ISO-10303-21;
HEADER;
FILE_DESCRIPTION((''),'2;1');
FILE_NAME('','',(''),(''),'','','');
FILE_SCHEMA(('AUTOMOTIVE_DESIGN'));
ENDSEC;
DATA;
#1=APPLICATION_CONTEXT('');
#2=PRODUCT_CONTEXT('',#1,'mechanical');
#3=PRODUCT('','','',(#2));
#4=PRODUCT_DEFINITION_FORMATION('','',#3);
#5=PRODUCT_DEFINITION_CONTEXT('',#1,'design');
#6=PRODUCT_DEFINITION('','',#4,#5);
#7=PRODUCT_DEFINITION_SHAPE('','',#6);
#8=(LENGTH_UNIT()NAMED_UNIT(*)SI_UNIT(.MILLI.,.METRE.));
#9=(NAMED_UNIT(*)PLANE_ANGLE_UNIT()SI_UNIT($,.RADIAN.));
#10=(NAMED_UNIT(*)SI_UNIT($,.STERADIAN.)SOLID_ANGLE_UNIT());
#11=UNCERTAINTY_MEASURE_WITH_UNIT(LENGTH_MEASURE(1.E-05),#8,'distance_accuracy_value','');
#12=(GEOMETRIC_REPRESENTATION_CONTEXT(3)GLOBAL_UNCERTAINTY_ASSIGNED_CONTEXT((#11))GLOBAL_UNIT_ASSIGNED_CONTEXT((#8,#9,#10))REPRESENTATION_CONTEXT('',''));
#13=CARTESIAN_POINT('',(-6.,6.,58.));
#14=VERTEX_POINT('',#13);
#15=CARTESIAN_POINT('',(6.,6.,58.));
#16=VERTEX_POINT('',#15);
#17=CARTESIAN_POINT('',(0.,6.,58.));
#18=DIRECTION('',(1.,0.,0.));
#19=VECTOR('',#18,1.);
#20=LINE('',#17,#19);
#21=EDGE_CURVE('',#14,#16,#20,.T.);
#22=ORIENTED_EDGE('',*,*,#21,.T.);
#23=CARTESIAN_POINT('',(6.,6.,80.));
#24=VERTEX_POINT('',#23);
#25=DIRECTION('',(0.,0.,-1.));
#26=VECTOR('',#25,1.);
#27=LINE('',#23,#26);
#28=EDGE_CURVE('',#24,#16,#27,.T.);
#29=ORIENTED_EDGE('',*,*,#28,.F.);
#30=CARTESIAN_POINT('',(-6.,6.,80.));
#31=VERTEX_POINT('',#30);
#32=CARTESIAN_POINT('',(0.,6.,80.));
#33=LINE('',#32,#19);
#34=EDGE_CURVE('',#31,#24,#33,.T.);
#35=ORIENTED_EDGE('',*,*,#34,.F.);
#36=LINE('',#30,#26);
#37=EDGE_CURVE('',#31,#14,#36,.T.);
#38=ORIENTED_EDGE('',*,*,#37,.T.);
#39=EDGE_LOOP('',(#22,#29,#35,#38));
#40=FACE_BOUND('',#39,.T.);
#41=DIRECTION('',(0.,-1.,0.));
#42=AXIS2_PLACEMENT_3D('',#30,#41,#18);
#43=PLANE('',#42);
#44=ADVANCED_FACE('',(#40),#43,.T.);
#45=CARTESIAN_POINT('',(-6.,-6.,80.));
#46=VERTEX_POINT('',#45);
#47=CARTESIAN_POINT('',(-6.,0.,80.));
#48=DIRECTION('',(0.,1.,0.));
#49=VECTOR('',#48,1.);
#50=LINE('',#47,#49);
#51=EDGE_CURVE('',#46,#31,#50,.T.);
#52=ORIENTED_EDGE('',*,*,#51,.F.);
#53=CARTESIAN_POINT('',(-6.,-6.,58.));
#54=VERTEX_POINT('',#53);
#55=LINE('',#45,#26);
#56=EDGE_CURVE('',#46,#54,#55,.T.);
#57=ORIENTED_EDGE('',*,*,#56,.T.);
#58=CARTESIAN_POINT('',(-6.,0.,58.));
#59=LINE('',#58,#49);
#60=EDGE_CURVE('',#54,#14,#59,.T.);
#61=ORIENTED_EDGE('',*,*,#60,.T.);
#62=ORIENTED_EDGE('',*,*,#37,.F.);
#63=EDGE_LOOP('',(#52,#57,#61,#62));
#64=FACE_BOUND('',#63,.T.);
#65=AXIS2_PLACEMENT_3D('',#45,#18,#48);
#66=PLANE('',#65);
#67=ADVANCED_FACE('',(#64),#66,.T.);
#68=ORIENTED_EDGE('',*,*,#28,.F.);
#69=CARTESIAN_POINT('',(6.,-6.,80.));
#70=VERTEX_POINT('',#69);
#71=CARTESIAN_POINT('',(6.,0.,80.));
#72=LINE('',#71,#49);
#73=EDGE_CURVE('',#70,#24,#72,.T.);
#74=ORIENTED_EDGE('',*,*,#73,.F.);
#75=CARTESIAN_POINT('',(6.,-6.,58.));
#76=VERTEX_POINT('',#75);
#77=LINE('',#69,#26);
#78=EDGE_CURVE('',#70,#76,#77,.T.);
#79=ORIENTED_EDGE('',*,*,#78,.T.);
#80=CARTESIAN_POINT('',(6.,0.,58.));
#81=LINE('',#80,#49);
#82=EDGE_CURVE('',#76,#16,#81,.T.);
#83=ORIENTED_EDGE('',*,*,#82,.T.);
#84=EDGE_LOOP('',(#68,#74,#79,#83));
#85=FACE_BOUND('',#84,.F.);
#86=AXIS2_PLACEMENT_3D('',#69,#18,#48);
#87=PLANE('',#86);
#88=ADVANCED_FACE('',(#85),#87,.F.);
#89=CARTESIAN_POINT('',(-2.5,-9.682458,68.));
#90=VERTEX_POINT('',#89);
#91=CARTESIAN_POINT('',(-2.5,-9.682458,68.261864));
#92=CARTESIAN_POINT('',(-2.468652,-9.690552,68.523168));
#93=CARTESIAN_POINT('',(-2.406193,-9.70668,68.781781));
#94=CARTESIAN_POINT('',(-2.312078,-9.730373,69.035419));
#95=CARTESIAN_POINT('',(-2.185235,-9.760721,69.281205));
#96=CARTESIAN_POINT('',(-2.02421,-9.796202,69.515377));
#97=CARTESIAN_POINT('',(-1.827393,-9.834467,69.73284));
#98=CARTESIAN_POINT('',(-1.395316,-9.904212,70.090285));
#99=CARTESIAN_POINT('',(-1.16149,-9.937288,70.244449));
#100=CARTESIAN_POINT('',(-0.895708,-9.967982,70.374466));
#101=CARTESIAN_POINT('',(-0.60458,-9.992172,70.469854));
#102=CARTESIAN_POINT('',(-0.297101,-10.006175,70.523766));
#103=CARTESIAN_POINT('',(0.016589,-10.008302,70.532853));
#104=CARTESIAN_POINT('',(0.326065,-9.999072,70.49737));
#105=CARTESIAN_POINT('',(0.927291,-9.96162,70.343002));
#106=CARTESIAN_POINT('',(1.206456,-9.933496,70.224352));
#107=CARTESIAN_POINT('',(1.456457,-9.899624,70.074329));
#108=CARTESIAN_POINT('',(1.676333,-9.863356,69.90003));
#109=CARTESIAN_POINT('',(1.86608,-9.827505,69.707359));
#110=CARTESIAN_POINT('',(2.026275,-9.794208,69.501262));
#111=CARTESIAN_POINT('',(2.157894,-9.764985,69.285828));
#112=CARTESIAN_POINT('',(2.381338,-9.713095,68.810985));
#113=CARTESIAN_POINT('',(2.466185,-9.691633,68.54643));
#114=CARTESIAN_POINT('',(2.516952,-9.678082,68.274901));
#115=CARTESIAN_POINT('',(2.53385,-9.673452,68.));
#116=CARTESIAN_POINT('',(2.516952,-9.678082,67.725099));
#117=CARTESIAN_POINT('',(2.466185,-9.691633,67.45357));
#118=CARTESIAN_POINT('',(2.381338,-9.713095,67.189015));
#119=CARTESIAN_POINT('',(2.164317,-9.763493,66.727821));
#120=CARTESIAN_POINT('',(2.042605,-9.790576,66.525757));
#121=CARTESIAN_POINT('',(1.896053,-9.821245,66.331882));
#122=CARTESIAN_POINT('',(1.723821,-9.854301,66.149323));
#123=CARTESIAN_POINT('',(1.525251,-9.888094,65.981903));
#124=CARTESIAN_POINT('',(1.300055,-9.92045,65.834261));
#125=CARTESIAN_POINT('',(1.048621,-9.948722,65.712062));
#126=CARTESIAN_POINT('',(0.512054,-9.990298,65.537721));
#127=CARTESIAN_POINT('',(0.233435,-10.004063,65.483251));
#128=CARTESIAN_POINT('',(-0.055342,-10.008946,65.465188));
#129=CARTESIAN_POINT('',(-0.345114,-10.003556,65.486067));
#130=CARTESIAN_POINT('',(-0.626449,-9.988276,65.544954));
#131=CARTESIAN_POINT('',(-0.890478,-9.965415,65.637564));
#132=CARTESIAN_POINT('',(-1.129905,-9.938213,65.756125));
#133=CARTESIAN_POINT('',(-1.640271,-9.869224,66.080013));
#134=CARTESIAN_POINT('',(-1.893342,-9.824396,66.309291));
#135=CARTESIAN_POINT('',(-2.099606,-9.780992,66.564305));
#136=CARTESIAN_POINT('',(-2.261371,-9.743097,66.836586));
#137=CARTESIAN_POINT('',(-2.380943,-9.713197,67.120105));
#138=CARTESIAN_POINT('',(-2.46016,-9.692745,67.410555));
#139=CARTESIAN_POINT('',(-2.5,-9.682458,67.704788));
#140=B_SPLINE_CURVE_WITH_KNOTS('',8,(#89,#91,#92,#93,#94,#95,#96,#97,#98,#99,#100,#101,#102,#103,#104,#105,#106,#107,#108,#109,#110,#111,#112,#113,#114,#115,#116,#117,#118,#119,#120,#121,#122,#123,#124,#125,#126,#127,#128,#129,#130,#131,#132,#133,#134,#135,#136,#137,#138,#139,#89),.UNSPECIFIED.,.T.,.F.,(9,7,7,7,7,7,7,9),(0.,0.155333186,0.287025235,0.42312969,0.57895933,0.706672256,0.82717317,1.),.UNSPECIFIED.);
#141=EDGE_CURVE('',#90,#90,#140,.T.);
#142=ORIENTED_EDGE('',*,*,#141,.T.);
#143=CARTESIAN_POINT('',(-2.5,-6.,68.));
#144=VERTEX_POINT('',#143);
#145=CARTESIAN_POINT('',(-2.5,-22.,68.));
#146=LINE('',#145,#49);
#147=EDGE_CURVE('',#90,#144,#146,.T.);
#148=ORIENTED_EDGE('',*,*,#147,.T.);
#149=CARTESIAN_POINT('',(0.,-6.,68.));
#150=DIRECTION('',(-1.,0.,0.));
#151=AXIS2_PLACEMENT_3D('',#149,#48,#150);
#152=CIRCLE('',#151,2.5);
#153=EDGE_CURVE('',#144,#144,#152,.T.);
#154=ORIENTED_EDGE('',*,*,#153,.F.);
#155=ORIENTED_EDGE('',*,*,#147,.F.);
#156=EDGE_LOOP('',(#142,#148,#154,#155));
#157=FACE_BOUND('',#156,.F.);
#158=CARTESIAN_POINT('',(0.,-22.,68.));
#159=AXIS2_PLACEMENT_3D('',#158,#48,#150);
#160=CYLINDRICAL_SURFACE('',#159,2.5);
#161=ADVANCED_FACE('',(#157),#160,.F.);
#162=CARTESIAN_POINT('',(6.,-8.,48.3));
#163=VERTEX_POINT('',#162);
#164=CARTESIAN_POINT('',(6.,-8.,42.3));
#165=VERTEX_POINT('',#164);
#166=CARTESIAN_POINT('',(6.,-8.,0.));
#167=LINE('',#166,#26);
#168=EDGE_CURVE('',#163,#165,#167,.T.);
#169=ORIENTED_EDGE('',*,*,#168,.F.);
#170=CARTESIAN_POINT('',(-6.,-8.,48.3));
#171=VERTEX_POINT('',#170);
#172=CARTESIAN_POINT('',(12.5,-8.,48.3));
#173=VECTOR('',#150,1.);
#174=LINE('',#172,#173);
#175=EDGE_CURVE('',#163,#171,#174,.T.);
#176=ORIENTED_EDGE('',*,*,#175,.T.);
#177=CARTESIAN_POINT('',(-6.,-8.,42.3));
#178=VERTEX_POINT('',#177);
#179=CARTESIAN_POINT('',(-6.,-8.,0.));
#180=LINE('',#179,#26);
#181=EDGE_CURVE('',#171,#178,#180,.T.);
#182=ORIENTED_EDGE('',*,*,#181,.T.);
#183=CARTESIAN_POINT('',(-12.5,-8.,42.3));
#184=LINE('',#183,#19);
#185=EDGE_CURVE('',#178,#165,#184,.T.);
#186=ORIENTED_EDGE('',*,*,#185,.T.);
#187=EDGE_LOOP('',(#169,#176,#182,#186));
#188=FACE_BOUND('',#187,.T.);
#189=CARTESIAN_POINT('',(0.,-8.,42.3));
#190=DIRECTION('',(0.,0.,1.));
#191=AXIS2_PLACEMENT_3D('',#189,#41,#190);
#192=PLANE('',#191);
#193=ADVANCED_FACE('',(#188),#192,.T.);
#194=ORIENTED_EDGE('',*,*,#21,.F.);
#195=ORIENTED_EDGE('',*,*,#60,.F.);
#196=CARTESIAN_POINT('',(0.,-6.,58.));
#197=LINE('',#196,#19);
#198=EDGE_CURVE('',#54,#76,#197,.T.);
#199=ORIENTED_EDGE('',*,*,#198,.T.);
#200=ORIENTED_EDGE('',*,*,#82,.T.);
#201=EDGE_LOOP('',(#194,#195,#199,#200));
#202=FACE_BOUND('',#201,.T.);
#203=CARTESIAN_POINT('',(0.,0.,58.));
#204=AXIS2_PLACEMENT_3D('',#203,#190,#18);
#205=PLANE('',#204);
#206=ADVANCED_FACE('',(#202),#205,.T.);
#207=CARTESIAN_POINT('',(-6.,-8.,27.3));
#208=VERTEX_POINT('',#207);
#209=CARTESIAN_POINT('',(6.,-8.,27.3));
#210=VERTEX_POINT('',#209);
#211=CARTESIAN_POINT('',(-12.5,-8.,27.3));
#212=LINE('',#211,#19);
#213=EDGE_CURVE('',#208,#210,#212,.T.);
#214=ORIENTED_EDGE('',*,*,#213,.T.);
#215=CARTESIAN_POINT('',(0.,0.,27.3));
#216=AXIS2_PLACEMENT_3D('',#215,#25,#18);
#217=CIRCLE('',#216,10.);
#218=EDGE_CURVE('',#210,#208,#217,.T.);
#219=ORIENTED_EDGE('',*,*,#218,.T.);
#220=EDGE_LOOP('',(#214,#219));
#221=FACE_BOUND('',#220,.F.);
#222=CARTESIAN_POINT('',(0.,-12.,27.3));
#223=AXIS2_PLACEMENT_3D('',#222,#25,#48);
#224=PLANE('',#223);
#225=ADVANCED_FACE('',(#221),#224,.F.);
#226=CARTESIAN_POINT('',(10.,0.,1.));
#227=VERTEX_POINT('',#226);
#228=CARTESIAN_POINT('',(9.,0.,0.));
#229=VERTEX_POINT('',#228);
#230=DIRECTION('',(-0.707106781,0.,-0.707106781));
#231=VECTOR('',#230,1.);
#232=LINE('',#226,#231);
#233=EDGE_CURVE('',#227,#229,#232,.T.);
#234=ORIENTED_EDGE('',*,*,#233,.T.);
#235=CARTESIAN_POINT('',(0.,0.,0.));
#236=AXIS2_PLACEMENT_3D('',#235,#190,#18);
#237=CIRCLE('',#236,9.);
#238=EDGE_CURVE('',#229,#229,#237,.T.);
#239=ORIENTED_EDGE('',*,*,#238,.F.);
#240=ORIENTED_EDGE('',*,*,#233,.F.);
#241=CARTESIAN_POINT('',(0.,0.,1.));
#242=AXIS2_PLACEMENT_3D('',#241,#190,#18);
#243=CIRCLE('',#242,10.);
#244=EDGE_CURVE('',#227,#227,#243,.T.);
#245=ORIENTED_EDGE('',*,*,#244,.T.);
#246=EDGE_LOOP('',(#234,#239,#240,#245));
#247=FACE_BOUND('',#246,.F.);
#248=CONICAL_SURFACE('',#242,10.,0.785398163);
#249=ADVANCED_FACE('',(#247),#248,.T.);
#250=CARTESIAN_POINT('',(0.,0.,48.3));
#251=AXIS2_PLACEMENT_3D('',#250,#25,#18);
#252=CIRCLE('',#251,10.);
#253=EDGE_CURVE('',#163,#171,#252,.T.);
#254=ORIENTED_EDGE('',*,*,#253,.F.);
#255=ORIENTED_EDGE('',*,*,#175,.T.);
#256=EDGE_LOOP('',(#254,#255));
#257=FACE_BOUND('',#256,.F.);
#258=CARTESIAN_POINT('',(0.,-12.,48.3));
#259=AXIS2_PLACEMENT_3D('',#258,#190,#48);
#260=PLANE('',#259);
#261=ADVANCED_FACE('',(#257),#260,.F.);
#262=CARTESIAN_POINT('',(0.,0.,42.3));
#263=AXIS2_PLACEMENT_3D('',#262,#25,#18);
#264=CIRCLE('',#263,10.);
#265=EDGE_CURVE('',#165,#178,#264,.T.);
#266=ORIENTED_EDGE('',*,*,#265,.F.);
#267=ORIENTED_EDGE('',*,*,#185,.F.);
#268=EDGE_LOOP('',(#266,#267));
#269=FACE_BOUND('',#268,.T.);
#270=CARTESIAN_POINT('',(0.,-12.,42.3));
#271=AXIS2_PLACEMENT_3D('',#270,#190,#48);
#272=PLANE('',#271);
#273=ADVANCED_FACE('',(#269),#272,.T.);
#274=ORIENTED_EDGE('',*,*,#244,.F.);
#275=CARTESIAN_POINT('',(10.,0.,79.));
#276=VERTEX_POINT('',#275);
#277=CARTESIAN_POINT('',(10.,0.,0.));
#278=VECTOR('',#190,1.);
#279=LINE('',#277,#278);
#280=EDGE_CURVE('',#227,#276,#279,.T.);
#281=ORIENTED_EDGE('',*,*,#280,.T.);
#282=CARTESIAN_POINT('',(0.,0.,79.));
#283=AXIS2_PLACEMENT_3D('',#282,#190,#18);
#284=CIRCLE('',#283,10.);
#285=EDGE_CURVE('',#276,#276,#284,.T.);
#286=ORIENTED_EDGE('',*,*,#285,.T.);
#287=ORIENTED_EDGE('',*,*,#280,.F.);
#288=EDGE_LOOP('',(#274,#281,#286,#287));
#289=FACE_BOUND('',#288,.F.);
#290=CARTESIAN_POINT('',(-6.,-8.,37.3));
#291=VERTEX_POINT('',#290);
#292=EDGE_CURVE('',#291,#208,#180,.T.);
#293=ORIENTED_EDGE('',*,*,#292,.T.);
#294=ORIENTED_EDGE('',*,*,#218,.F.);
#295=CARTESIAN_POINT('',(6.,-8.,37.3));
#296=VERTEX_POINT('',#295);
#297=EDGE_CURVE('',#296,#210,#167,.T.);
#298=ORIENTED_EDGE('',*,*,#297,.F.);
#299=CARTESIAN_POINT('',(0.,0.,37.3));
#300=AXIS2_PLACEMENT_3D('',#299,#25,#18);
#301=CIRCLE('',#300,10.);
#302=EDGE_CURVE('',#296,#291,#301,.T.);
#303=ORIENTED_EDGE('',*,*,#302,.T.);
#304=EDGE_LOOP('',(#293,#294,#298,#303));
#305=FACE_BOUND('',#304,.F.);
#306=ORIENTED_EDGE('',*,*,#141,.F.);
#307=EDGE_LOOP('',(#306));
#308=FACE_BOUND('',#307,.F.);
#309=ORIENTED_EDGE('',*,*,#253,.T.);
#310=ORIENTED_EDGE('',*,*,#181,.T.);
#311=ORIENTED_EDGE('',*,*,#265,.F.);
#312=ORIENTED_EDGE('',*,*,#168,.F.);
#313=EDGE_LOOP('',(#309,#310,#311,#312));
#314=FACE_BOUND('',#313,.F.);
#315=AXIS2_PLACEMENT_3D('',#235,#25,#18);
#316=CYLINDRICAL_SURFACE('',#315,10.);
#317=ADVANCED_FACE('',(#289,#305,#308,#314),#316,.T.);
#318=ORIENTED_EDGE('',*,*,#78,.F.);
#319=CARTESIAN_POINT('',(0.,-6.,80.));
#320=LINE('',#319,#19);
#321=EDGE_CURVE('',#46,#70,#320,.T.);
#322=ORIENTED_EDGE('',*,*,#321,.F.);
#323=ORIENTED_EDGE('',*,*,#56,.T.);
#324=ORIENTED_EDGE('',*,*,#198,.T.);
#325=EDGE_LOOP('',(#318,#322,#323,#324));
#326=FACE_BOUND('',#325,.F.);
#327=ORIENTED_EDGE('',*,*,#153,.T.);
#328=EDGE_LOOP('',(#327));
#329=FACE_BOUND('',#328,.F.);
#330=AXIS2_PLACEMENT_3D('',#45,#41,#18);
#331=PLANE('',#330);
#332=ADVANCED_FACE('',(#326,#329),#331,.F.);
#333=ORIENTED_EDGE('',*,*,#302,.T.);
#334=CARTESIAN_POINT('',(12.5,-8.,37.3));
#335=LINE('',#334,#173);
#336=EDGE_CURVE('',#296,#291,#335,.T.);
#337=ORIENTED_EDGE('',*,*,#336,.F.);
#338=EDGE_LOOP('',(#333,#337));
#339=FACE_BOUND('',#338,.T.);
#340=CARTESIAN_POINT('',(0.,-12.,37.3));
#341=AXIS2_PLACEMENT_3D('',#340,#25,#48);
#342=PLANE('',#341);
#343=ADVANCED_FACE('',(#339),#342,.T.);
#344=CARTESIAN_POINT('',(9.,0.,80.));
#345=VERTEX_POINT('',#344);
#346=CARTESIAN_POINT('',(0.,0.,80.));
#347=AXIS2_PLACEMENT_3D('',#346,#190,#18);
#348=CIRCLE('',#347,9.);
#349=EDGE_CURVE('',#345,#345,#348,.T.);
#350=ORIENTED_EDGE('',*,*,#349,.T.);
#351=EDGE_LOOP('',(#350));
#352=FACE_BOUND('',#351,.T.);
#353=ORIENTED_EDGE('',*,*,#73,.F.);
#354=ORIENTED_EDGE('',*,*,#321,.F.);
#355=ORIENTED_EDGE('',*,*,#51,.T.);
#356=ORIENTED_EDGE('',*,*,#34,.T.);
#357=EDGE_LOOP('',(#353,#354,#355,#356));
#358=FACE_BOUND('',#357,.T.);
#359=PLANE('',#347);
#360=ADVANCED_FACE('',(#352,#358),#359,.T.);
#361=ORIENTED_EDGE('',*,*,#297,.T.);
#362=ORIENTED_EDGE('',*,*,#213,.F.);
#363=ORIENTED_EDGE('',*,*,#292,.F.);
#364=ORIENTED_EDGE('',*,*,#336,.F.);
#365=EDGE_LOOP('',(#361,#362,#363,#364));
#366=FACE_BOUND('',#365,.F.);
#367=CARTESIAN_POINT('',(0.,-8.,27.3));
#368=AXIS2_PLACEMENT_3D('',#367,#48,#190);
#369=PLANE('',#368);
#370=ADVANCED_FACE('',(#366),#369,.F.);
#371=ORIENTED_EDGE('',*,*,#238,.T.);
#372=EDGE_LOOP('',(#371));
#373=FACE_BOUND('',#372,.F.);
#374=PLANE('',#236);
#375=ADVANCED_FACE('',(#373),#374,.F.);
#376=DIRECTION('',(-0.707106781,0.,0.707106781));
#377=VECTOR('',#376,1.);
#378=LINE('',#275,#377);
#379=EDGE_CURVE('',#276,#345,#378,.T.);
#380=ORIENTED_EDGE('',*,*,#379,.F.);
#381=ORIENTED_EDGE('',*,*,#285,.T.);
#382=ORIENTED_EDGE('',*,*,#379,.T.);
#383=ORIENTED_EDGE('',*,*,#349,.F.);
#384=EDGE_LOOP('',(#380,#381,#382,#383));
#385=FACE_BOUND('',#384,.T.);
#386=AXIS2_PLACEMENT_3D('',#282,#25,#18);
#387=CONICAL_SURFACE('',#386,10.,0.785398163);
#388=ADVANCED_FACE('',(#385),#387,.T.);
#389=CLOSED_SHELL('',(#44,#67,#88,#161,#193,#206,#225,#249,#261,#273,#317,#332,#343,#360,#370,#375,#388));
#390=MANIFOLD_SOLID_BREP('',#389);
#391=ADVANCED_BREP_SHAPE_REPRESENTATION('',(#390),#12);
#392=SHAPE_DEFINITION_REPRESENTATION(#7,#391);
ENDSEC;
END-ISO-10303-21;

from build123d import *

# Parameters (mm, degrees)
F0_R     = 10
F1_DEPTH = 80
F2_W     = 12
F2_H     = 12
F3_DEPTH = 22
F6_D     = 5
F6_DEPTH = 12
F7_W     = 4
F7_H     = 6
F7_H_2   = 10
F8_DEPTH = 12.5
F9_SIZE  = 1


with BuildPart() as f1:
    # F0 (on Top) → F1 (new body)
    with BuildSketch(Plane.XY):
        Circle(F0_R)
    extrude(amount=F1_DEPTH)

    # F2 (on face) → F3 (cut)
    with BuildSketch(Plane.XY.offset(80)):
        Rectangle(F2_W, F2_H)
    extrude(amount=-F3_DEPTH, mode=Mode.SUBTRACT)

    # F6
    with Locations(Plane.XZ.offset(10)):
        with Locations((0, 68)):
            Hole(F6_D / 2, depth=F6_DEPTH)

    # F7 (on Right) → F8 (cut, symmetric)
    with BuildSketch(Plane.YZ):
        with Locations((-10, 45.3)):
            Rectangle(F7_W, F7_H)
        with Locations((-10, 32.3)):
            Rectangle(F7_W, F7_H_2)
    extrude(amount=F8_DEPTH, both=True, mode=Mode.SUBTRACT)

    # F9
    f9_edges = [f1.edges().sort_by_distance(p)[0] for p in [
        (-10, 0, 80),
        (-10, 0, 0),
    ]]
    chamfer(f9_edges, length=F9_SIZE)


solid = f1.part
